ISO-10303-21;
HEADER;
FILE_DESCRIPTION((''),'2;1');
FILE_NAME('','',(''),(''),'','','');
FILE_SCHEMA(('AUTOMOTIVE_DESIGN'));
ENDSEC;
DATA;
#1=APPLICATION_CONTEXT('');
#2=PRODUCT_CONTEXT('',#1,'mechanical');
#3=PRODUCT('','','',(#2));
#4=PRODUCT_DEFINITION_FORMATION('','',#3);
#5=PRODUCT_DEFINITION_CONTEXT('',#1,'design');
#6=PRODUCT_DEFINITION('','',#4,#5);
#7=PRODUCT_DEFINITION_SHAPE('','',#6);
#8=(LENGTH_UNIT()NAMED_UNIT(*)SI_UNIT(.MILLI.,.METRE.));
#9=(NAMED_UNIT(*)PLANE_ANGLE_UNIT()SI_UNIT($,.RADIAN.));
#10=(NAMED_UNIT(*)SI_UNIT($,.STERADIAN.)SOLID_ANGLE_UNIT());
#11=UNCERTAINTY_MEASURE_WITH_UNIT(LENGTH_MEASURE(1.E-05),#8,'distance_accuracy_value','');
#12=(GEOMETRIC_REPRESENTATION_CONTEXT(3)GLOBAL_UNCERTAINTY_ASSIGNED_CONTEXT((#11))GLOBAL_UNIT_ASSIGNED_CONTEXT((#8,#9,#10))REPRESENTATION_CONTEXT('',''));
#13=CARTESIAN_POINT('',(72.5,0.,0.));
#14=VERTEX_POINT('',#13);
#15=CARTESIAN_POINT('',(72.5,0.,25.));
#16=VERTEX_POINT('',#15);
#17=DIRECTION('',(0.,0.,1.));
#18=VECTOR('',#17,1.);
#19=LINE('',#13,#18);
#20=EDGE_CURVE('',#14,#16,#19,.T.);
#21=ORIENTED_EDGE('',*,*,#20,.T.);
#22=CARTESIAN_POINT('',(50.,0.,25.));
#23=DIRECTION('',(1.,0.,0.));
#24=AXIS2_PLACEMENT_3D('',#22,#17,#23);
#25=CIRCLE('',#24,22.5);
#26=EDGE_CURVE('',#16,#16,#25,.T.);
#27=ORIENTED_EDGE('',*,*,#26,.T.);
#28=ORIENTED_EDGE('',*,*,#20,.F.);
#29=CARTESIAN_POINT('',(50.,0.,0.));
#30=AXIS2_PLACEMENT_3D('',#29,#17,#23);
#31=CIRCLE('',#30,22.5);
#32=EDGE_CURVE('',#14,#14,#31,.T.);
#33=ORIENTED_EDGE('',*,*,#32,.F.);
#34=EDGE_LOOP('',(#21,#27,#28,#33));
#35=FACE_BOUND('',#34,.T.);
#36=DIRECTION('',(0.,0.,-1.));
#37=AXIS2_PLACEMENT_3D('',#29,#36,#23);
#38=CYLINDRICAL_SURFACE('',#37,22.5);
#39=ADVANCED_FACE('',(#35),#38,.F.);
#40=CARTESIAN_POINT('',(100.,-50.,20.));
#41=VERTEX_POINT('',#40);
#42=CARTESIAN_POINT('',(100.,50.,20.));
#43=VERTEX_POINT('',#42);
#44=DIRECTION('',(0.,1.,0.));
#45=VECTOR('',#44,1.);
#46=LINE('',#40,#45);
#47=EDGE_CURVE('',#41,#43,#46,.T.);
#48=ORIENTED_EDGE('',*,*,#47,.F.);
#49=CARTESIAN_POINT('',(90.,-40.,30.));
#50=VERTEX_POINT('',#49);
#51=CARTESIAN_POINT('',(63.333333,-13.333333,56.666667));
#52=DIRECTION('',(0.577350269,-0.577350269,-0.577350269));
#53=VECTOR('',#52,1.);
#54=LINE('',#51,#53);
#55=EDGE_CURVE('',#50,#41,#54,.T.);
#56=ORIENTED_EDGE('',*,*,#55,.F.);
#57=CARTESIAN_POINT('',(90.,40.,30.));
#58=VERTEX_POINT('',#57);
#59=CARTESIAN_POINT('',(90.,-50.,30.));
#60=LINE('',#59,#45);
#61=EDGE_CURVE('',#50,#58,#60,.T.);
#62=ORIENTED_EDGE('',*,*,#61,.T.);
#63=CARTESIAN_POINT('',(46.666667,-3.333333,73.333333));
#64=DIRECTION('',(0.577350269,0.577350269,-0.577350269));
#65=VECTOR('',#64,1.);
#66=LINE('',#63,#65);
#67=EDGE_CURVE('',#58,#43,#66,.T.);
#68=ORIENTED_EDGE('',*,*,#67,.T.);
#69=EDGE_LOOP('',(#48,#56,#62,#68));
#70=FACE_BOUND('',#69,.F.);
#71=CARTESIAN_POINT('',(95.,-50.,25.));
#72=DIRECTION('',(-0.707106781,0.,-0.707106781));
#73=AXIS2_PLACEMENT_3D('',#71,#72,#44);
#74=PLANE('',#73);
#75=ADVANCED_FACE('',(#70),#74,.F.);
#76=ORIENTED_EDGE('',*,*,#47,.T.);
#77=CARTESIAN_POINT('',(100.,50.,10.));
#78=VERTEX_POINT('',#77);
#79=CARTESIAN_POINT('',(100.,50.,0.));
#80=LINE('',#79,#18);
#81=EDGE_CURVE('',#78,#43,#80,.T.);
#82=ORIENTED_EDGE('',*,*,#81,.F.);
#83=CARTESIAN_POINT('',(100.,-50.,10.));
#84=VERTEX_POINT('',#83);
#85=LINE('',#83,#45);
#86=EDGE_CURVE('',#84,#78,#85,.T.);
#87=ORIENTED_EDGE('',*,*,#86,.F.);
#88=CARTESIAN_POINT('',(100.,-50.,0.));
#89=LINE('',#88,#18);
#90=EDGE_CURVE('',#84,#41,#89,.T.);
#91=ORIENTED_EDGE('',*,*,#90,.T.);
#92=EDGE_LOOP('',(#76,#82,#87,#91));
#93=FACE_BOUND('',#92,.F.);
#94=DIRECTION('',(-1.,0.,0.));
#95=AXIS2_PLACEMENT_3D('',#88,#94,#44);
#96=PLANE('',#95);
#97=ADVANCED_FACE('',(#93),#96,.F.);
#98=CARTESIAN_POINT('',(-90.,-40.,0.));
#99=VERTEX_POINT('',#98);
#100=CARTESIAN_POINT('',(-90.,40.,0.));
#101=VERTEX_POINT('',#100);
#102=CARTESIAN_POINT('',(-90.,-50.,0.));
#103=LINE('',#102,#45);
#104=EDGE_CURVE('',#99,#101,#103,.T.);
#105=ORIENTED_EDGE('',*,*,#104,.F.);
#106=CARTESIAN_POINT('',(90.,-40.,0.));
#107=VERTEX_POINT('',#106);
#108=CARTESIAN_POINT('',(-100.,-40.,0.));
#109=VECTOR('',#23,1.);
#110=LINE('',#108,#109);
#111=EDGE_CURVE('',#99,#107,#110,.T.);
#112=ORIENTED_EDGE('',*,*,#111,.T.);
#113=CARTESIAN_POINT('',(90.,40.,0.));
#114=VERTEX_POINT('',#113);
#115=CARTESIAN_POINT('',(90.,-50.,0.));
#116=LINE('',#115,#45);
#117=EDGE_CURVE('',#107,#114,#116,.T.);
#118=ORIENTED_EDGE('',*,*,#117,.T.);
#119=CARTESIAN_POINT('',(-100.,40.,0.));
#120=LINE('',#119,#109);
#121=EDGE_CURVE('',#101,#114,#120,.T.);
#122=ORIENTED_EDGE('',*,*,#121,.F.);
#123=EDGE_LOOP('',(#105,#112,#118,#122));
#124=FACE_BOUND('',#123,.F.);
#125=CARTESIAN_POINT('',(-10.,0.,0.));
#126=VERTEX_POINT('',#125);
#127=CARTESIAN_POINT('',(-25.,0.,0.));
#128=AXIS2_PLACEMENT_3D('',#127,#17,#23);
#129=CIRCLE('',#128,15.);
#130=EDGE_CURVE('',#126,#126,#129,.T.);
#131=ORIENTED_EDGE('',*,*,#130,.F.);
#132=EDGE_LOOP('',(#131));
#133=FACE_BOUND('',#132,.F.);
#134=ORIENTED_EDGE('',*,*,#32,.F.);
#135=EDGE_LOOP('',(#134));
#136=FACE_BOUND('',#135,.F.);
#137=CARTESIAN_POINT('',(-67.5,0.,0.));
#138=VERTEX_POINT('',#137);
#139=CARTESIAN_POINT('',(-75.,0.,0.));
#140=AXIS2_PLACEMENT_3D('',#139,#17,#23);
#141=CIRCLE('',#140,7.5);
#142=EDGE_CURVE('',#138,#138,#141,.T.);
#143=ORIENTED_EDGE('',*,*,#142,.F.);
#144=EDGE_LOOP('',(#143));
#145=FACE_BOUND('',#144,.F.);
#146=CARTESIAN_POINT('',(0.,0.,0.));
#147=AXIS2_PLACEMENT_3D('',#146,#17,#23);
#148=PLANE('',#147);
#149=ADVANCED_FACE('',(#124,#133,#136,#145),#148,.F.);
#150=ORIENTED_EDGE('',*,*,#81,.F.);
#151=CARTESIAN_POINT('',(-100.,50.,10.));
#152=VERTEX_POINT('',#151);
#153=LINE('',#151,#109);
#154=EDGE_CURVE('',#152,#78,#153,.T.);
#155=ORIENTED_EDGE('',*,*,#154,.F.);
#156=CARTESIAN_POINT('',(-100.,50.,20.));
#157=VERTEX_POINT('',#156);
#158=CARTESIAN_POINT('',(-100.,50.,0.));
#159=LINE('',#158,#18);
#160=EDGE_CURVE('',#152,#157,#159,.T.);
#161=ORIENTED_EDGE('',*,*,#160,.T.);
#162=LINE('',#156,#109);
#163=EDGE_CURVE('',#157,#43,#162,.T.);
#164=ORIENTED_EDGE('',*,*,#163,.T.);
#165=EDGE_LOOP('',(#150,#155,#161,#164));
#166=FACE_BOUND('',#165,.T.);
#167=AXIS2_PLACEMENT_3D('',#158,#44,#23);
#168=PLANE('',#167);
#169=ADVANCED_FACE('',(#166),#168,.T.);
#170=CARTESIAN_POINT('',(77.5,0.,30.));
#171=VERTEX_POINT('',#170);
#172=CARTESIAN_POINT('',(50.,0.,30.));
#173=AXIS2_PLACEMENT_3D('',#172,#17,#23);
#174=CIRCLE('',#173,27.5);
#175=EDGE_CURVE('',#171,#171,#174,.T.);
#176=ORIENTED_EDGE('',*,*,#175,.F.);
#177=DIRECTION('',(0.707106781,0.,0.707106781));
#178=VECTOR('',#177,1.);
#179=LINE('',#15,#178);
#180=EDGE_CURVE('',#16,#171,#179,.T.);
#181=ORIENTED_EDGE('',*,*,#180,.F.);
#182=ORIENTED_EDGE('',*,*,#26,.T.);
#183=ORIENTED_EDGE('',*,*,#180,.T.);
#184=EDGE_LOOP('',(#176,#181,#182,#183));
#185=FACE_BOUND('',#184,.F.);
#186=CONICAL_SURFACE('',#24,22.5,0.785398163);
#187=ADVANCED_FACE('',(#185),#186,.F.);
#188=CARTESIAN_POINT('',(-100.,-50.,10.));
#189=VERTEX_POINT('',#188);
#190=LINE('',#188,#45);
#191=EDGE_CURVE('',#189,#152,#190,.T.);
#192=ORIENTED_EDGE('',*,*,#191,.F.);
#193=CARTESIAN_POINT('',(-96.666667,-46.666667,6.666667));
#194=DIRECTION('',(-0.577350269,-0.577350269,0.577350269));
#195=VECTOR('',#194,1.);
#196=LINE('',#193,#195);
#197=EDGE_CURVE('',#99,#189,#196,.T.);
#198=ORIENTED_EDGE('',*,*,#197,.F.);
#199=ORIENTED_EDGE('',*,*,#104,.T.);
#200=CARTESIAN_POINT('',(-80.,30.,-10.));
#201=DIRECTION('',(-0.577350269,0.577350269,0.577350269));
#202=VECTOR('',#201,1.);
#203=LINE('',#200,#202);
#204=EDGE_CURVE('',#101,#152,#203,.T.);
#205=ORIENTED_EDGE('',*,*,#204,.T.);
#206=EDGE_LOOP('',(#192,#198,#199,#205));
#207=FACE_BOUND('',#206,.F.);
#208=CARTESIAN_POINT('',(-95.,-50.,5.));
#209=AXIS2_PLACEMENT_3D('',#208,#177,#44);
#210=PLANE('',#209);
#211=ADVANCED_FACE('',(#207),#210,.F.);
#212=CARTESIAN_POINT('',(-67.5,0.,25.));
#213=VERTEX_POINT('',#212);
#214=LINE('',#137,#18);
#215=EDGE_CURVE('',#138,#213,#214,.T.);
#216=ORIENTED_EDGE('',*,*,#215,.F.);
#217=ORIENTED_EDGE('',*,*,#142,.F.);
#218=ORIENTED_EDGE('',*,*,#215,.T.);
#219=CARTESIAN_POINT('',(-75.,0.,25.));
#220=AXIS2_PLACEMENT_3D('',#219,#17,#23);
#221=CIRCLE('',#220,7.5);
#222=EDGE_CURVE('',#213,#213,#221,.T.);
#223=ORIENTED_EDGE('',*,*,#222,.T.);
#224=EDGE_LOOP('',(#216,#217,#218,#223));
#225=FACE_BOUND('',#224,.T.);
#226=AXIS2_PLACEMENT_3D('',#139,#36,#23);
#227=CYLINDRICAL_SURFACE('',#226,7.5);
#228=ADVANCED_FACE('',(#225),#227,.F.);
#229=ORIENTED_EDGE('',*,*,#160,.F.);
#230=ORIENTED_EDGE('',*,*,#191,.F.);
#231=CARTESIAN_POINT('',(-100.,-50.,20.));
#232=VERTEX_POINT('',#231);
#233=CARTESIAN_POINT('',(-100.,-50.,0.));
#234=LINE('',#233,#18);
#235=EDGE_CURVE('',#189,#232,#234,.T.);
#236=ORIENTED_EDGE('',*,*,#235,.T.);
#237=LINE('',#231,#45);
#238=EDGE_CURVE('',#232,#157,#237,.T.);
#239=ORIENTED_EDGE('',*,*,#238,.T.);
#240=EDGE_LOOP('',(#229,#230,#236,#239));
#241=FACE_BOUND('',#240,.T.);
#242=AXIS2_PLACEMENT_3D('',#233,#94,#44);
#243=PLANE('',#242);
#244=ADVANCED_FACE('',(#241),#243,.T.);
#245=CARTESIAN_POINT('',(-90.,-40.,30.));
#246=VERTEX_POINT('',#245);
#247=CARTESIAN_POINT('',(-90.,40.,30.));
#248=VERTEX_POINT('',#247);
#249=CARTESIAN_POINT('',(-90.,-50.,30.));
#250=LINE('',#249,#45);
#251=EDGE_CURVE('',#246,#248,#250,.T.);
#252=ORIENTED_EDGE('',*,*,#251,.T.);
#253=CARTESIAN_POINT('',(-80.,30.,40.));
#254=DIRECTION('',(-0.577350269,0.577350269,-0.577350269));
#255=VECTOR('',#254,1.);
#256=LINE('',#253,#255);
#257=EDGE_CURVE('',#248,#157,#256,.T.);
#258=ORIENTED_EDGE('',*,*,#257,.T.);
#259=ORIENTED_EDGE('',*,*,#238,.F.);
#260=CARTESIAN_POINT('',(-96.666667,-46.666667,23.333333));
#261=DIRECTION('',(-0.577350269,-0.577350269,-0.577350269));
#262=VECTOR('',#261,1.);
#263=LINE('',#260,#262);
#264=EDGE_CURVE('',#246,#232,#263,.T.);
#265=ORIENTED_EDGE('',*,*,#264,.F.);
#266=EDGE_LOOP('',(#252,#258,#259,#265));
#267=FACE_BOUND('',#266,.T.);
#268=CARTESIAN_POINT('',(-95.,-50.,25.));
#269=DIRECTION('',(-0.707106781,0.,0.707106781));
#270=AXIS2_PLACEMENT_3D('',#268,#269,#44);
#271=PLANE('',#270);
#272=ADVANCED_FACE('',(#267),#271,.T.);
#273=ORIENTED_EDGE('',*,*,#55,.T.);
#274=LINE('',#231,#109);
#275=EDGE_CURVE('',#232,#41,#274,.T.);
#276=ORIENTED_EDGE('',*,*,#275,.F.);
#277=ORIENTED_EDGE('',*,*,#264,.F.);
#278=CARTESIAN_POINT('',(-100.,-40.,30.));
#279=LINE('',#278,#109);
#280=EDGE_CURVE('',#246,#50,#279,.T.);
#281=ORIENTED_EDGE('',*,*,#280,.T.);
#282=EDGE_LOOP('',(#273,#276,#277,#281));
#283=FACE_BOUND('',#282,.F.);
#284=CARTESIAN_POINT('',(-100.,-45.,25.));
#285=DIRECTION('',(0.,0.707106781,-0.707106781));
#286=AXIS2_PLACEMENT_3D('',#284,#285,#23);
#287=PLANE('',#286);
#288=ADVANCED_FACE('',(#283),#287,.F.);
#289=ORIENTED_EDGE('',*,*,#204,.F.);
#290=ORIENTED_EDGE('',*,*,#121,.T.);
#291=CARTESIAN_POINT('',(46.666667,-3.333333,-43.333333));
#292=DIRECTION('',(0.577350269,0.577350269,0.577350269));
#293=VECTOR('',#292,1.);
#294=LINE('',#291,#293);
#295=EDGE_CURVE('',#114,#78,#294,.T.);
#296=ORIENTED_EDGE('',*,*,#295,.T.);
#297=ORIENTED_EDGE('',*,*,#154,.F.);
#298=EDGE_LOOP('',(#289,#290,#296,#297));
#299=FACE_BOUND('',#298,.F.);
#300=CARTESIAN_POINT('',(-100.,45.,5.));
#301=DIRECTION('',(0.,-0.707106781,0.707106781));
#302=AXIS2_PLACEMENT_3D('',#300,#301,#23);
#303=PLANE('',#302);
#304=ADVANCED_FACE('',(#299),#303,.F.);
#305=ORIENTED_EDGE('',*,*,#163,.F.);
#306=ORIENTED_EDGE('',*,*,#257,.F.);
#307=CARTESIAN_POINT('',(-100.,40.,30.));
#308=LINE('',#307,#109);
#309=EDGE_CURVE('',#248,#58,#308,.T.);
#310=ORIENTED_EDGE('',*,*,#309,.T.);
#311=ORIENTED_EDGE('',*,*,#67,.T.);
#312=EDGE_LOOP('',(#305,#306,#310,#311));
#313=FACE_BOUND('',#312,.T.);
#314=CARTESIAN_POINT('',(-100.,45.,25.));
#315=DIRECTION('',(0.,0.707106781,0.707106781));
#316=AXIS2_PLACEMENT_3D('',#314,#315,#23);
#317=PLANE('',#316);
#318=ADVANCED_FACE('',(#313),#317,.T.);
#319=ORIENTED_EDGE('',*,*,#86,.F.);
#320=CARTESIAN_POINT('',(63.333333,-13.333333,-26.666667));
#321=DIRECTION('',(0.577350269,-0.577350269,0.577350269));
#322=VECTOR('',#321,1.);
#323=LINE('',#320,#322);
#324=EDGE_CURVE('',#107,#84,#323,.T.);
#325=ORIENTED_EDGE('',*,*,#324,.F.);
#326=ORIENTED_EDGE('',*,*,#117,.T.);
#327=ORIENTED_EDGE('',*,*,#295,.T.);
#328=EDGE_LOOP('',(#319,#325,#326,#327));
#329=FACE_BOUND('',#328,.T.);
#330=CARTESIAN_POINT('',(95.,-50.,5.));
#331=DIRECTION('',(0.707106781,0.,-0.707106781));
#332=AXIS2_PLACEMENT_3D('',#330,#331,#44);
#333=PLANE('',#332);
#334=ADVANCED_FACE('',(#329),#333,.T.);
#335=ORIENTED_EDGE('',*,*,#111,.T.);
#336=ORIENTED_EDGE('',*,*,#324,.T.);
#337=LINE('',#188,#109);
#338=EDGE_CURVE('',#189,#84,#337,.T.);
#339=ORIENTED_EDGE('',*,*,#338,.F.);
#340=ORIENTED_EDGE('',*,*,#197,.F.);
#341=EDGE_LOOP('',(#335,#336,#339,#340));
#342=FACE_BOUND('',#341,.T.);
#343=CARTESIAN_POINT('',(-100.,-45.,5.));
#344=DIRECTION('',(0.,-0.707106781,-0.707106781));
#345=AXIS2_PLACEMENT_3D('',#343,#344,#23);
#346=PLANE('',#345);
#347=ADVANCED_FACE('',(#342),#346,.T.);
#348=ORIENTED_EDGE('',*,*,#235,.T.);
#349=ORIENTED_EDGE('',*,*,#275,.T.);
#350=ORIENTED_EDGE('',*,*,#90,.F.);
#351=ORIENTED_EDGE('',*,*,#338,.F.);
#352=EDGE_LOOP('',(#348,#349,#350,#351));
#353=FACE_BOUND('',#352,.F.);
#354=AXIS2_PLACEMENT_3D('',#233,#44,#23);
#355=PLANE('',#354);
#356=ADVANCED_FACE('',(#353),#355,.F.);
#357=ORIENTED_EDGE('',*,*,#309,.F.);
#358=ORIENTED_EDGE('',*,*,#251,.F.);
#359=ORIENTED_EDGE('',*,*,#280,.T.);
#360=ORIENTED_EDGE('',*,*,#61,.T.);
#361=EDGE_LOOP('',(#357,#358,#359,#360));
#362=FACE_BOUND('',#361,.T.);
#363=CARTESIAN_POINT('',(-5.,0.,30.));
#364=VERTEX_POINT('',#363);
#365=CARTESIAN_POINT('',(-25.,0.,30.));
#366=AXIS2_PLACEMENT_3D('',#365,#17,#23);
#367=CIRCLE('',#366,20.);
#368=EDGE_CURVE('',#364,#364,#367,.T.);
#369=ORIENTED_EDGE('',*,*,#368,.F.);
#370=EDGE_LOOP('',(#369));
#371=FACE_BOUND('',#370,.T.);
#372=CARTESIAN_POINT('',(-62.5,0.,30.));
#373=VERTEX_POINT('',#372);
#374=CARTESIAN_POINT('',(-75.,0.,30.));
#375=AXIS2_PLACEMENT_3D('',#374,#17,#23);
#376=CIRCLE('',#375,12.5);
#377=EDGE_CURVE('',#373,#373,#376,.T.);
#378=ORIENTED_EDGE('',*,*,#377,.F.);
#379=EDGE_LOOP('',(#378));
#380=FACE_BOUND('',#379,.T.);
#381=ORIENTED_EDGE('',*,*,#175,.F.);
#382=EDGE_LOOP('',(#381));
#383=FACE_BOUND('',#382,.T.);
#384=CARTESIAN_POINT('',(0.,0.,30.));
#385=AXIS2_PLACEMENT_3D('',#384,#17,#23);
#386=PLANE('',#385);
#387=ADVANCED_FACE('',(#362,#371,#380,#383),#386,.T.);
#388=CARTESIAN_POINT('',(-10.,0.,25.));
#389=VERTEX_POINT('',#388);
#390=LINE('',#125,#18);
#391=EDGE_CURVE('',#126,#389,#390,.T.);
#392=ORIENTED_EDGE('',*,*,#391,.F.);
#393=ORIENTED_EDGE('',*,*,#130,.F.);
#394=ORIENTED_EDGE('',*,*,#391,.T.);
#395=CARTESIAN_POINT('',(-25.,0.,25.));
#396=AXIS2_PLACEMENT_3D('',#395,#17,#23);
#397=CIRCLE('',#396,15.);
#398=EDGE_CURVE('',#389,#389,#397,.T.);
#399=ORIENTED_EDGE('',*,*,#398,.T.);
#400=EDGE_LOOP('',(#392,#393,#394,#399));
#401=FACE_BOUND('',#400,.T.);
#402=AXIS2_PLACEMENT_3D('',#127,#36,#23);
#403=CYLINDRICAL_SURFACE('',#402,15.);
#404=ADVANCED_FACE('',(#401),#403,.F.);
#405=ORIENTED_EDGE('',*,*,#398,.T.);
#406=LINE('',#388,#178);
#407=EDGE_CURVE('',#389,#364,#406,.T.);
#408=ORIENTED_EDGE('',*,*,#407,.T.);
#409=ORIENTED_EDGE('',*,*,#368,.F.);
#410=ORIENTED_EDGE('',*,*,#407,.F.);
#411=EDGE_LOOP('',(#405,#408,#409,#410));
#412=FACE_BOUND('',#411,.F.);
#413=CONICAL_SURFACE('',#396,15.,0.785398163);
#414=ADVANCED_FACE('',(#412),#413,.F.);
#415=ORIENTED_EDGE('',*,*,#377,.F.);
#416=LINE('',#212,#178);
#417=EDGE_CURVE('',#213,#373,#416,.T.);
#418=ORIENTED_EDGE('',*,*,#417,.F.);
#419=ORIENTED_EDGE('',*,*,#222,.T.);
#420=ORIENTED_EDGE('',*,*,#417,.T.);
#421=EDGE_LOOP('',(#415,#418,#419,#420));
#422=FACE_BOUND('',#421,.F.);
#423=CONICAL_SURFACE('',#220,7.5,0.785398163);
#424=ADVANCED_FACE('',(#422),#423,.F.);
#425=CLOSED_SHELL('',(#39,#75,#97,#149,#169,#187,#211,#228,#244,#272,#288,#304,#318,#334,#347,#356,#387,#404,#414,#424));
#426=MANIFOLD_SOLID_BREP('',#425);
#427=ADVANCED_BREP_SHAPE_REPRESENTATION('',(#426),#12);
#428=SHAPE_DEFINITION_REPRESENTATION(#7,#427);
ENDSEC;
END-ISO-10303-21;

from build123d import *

# Parameters (mm, degrees)
F0_W     = 200
F0_H     = 100
F0_R     = 7.5
F0_R_2   = 15
F0_R_3   = 22.5
F1_DEPTH = 30
F2_SIZE2 = 5
F2_SIZE  = 5
F3_SIZE2 = 10
F3_SIZE  = 10


with BuildPart() as f1:
    # F0 (on Top) → F1 (new body)
    with BuildSketch(Plane.XY):
        Rectangle(F0_W, F0_H)
        with Locations((-75, 0)):
            Circle(F0_R, mode=Mode.SUBTRACT)
        with Locations((-25, 0)):
            Circle(F0_R_2, mode=Mode.SUBTRACT)
        with Locations((50, 0)):
            Circle(F0_R_3, mode=Mode.SUBTRACT)
    extrude(amount=F1_DEPTH)

    # F2
    f2_edges = [f1.edges().sort_by_distance(p)[0] for p in [
        (-82.5, 0, 30),
        (-40, 0, 30),
        (27.5, 0, 30),
    ]]
    chamfer(f2_edges, length=F2_SIZE, length2=F2_SIZE2)

    # F3
    f3_edges = [f1.edges().sort_by_distance(p)[0] for p in [
        (-100, 0, 30),
        (-100, 0, 0),
        (0, -50, 0),
        (0, -50, 30),
        (100, 0, 0),
        (100, 0, 30),
        (0, 50, 0),
        (0, 50, 30),
    ]]
    chamfer(f3_edges, length=F3_SIZE, length2=F3_SIZE2)


solid = f1.part
